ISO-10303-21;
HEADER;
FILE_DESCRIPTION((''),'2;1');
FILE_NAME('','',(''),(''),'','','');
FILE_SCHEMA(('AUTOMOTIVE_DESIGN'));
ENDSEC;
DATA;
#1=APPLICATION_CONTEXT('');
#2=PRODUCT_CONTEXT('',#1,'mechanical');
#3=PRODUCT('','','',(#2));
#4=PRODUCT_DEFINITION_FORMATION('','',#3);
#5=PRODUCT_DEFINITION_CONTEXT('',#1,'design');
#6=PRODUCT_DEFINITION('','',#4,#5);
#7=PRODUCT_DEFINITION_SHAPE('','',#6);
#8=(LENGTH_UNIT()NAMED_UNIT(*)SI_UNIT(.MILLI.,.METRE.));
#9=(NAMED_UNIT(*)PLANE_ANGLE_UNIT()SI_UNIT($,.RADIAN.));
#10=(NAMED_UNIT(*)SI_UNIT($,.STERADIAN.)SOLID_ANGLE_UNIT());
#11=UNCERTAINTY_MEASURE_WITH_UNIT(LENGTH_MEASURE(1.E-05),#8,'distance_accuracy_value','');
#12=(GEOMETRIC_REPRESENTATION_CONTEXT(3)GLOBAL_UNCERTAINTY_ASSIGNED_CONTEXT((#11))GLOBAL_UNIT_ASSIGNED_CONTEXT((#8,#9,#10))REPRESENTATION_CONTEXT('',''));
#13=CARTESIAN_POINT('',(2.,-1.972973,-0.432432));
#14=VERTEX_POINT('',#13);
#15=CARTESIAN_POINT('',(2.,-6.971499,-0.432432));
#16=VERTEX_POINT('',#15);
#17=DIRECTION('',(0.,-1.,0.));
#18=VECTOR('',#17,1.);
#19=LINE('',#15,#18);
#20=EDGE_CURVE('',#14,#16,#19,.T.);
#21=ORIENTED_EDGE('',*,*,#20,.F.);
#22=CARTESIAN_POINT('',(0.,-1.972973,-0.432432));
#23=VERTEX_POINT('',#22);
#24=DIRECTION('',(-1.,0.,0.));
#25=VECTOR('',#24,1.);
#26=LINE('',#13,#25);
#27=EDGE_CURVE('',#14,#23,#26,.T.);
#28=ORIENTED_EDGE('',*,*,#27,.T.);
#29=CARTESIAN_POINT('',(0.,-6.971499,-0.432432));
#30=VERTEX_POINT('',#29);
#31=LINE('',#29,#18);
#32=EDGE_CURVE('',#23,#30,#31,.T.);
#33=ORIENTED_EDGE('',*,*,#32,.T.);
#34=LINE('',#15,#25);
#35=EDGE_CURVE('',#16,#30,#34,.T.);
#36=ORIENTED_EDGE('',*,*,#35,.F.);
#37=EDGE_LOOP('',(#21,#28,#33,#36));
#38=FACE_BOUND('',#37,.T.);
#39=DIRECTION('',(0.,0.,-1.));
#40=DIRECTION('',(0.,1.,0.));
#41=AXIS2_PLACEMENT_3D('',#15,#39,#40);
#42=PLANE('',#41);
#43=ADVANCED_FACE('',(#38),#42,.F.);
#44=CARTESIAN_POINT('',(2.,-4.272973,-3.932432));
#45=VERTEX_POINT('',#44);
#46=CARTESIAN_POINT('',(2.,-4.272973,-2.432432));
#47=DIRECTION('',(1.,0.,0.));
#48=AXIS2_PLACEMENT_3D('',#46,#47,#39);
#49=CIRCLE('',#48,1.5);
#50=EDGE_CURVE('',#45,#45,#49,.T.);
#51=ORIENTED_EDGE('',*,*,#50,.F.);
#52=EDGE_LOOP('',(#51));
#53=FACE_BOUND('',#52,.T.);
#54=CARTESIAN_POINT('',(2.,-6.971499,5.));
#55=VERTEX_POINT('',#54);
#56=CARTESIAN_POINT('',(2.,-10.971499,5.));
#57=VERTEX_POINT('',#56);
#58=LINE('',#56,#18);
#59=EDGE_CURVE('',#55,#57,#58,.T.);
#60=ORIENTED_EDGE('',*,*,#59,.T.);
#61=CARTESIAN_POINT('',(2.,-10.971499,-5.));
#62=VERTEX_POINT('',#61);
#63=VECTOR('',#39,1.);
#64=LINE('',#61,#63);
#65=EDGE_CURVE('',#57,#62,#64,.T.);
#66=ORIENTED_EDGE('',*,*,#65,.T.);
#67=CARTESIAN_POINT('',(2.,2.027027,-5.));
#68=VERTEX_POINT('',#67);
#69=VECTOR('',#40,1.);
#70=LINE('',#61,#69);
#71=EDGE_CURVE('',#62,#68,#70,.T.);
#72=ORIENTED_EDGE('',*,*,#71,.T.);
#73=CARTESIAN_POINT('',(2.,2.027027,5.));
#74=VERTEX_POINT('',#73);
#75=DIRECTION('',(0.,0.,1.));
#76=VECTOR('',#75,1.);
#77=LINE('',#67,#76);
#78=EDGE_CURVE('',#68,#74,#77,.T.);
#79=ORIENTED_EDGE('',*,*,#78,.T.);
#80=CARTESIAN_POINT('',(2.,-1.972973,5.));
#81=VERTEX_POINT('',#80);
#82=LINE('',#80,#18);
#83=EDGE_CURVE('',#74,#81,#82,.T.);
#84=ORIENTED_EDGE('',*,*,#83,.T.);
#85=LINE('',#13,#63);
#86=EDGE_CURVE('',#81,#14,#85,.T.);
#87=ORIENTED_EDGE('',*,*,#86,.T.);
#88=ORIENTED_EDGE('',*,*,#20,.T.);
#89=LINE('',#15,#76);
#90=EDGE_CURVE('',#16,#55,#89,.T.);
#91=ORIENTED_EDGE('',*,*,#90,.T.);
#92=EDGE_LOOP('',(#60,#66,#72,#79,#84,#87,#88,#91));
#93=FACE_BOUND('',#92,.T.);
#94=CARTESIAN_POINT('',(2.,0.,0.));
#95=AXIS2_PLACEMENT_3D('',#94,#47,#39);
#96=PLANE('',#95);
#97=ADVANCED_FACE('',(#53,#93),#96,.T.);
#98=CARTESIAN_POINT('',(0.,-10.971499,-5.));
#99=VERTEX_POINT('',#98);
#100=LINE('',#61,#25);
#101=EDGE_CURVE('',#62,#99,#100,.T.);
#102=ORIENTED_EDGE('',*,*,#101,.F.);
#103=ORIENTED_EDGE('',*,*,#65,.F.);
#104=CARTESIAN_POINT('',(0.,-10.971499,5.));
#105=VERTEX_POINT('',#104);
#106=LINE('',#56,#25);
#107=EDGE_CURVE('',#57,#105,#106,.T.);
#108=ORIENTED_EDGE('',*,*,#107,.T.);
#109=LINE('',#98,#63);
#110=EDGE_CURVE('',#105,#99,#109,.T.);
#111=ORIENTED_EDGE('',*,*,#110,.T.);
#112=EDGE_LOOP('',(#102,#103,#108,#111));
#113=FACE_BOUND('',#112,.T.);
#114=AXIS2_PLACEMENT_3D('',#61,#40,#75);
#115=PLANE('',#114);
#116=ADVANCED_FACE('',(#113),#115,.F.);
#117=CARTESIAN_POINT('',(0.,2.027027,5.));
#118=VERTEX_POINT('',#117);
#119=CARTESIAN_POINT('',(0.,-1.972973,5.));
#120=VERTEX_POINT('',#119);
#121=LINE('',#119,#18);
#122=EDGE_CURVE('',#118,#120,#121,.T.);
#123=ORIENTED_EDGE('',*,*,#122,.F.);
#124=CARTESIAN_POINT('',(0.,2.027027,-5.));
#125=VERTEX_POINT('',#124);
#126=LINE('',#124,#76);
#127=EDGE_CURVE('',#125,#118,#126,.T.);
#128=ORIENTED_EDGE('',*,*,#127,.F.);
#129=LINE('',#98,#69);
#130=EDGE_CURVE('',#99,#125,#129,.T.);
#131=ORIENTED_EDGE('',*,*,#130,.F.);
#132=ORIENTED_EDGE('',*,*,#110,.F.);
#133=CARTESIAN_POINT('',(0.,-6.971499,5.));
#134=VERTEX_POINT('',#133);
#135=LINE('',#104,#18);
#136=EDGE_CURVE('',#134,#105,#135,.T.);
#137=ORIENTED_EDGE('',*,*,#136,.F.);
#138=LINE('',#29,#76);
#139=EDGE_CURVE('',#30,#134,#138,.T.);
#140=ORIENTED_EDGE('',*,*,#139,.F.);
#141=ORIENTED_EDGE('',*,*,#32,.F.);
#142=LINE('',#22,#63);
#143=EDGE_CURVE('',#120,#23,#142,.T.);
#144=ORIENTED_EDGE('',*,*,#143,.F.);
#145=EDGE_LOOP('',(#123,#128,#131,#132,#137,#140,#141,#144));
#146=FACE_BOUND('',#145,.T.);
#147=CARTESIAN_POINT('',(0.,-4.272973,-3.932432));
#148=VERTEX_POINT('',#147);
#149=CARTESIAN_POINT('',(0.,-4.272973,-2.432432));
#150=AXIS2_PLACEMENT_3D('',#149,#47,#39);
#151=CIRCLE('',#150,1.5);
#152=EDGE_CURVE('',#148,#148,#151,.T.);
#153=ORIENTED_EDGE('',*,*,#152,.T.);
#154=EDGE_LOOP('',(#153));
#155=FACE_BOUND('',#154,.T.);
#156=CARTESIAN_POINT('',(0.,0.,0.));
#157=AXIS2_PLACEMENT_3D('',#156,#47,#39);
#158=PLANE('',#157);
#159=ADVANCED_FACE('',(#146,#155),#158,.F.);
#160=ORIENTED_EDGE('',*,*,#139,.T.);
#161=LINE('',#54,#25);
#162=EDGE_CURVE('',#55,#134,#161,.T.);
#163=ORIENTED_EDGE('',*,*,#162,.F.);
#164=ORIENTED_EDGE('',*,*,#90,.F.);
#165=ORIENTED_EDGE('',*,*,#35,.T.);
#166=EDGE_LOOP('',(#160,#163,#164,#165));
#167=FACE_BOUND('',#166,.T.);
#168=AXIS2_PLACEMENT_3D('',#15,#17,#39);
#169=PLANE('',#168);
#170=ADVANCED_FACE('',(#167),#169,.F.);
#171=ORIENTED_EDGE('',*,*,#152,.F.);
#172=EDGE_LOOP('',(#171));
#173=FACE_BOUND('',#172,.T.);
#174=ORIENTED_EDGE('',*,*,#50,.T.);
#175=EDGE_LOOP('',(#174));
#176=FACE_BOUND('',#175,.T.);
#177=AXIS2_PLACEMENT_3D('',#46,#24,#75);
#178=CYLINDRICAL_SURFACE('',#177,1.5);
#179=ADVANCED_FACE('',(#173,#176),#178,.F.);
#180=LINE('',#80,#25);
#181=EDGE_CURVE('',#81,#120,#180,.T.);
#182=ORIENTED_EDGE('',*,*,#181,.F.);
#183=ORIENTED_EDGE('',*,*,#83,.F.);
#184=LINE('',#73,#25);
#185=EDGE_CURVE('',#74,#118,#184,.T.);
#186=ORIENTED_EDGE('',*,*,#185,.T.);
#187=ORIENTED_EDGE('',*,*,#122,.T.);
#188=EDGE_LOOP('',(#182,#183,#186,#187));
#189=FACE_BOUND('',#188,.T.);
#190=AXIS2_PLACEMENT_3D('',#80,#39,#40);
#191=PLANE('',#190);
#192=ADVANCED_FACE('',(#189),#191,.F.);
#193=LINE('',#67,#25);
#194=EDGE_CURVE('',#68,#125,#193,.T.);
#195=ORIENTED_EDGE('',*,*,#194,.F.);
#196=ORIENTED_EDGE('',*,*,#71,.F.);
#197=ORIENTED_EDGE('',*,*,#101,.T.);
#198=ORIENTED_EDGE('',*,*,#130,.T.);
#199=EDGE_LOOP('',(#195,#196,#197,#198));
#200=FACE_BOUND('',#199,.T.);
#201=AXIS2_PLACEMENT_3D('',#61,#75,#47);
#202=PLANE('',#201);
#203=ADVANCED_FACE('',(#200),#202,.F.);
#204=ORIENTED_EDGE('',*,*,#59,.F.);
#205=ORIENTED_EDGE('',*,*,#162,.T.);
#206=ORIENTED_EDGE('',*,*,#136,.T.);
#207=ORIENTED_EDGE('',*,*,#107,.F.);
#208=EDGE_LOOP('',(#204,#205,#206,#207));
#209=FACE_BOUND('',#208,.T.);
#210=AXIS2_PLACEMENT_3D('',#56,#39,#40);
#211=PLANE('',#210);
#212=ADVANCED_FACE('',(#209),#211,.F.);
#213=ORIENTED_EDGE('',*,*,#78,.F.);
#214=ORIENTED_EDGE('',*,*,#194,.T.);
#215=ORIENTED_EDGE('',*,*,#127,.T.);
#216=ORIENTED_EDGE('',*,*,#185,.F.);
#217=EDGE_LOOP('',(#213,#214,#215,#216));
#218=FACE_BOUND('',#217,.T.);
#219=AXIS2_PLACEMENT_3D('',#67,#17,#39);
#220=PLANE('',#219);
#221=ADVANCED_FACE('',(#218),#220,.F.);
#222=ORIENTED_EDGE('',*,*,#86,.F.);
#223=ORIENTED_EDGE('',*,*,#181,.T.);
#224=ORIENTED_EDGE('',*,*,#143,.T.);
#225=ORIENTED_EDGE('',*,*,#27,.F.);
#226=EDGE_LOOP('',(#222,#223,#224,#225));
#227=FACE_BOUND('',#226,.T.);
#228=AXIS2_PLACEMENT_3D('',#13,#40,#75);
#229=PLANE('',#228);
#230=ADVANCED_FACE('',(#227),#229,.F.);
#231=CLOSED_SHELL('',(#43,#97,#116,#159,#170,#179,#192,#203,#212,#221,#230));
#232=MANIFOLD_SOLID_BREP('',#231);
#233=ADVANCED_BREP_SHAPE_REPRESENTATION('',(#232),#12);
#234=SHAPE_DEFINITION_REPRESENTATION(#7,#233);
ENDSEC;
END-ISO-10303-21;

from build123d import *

# Parameters (mm, degrees)
SKETCH1_R           = 1.5
BOSS_EXTRUDE1_DEPTH = 2


with BuildPart() as part:
    # Sketch1 → Boss-Extrude1 (new body)
    with BuildSketch(Plane(origin=(0, 0, 0), x_dir=(0, 0, -1), z_dir=(1, 0, 0))):
        Polygon((0.432432432, -6.97149937), (-5, -6.97149937), (-5, -10.97149937), (5, -10.97149937), (5, 2.027027027), (-5, 2.027027027), (-5, -1.972972973), (0.432432432, -1.972972973), align=None)
        with Locations((2.432432432, -4.272972973)):
            Circle(SKETCH1_R, mode=Mode.SUBTRACT)
    extrude(amount=BOSS_EXTRUDE1_DEPTH)


solid = part.part
